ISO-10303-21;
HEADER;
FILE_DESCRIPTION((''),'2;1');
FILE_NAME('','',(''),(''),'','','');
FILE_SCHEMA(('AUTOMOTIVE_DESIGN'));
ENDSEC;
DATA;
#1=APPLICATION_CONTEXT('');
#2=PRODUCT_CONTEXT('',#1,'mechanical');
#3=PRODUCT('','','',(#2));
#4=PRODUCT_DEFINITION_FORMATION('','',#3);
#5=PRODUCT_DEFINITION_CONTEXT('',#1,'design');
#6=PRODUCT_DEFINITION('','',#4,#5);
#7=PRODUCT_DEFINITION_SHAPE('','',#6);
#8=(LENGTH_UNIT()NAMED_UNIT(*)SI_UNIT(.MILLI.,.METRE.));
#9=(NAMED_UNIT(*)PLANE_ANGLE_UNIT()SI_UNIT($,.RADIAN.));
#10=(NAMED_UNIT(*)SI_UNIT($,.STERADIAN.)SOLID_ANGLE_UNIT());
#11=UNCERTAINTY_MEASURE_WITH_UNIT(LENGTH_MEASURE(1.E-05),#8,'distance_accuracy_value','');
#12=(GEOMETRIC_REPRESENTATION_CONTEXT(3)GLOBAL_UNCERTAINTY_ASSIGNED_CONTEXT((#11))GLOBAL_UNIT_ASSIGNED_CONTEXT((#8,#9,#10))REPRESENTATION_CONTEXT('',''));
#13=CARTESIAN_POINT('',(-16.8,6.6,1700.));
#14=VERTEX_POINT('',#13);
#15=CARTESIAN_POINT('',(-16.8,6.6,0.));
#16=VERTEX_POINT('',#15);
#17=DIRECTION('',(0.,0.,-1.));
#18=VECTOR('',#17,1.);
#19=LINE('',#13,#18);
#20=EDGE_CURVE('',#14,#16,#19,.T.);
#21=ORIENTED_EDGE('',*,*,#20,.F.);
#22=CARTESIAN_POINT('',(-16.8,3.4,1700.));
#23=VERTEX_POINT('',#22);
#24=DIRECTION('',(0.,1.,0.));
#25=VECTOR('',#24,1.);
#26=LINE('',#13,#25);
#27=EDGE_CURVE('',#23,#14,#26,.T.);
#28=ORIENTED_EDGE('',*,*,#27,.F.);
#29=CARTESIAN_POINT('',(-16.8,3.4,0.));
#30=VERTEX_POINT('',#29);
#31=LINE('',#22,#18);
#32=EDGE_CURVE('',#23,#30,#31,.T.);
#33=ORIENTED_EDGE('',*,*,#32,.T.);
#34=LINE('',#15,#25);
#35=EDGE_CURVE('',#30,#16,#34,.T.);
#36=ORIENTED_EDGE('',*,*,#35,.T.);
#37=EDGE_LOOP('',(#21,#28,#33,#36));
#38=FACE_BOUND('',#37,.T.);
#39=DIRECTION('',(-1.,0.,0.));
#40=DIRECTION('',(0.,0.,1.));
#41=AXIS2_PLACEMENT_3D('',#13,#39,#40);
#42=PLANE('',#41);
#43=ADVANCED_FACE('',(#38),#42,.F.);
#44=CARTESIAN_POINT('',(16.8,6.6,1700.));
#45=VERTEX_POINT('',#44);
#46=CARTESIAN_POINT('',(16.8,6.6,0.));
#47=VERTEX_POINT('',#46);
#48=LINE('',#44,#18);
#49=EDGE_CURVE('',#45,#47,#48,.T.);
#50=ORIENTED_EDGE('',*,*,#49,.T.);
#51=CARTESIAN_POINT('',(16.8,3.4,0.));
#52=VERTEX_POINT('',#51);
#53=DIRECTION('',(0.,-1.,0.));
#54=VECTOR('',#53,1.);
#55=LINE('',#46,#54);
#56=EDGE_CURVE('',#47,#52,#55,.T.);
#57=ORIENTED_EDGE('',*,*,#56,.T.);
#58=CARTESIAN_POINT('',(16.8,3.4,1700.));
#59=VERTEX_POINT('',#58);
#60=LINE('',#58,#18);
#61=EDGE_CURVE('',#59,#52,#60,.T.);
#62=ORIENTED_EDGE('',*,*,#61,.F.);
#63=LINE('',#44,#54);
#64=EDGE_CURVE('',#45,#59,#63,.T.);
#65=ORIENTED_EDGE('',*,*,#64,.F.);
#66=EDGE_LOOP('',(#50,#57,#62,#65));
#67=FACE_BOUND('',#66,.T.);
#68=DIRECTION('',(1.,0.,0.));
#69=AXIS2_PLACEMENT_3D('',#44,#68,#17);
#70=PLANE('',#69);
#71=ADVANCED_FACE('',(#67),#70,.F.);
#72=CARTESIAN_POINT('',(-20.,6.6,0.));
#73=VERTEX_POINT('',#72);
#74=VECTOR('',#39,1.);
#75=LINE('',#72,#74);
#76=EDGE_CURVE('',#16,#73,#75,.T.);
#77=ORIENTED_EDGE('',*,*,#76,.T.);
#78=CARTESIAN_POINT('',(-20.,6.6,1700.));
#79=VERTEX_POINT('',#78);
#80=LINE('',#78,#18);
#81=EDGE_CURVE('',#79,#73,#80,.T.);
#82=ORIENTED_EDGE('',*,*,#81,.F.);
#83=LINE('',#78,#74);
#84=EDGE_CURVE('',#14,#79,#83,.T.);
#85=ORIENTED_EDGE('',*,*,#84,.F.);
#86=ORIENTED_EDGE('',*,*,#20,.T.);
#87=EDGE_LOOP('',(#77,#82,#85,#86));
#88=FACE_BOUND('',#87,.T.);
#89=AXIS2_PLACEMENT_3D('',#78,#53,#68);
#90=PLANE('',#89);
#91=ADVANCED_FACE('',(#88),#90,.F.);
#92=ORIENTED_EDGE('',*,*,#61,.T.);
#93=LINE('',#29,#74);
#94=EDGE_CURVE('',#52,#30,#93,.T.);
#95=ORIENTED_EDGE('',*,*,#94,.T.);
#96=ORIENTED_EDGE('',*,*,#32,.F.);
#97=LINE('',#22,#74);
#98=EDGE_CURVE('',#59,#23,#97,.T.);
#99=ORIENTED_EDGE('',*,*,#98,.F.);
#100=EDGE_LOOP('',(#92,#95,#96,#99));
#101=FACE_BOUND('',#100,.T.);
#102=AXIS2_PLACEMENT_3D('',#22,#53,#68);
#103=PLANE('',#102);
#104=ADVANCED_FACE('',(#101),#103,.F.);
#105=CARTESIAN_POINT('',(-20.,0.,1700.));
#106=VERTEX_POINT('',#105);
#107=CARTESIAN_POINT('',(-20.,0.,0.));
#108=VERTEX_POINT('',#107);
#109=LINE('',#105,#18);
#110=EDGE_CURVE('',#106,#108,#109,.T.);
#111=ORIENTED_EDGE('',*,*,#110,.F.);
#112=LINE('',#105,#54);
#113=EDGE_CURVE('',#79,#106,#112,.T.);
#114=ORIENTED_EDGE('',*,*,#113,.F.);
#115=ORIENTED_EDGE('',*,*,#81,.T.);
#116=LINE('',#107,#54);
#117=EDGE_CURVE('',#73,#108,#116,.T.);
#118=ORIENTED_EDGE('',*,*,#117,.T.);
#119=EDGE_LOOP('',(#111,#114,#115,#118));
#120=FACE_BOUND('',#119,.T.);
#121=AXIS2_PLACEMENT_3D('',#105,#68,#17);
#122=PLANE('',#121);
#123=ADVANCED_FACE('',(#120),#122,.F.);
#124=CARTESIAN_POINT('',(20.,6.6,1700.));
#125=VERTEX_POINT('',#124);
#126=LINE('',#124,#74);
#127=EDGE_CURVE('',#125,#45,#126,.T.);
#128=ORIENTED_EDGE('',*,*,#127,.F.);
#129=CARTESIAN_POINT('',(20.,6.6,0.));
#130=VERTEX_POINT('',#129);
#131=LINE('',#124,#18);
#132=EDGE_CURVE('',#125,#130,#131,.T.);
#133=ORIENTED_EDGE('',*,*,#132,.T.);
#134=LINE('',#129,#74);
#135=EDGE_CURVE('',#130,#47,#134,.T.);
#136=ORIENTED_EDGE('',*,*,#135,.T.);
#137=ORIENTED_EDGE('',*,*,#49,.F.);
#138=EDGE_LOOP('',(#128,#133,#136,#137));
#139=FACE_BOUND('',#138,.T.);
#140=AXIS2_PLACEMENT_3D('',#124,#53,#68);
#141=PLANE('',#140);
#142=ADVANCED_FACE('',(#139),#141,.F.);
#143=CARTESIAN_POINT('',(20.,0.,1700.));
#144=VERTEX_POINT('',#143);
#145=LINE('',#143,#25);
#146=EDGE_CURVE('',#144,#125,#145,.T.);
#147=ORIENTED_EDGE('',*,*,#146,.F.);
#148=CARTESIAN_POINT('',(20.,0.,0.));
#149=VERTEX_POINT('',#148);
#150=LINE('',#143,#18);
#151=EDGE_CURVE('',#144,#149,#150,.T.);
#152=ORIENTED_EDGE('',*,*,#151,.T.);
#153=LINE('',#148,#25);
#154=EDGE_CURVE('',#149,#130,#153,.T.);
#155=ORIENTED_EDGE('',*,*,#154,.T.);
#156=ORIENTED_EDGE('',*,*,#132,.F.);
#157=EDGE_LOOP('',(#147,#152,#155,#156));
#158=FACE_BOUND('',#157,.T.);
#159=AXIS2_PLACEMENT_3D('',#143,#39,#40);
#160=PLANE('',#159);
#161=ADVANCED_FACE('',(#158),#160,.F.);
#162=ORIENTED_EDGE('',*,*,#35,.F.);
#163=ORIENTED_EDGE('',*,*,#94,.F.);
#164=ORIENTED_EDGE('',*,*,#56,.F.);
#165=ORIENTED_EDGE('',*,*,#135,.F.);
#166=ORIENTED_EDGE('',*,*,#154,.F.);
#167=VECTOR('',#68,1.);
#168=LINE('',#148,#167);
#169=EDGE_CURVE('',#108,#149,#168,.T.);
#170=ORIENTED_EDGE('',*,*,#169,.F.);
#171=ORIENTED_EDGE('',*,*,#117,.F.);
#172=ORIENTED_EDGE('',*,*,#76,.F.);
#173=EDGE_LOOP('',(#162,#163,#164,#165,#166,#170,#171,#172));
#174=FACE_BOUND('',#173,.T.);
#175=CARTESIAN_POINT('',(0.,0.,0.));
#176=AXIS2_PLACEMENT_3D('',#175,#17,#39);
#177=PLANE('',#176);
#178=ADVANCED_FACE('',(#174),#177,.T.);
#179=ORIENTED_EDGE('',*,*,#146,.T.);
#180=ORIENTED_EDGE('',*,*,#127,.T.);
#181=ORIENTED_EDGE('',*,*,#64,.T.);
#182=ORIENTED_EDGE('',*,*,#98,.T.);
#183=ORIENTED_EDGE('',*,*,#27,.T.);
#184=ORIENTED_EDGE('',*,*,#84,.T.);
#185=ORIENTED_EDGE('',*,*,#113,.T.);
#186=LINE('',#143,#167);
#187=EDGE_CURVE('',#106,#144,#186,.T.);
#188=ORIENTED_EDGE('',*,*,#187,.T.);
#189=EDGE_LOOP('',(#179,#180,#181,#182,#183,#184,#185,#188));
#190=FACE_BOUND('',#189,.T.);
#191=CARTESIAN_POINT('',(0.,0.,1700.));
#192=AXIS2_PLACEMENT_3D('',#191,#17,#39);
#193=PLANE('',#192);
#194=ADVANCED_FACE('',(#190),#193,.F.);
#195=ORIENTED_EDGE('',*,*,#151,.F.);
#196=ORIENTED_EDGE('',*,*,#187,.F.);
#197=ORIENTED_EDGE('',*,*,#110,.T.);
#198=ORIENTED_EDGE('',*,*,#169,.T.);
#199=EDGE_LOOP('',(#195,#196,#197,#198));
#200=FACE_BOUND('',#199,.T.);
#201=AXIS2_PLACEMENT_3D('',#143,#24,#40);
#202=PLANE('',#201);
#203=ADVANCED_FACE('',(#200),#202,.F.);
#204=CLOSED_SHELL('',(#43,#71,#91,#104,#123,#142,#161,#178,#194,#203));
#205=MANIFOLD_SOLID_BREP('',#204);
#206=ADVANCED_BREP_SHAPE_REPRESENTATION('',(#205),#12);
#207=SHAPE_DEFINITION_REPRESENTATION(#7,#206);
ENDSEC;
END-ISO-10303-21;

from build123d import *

# Parameters (mm, degrees)
EXTRUDE_1_DEPTH = 1700


with BuildPart() as part:
    # 草图1 → 凸台-拉伸1 (new body)
    with BuildSketch(Plane.XY):
        Polygon((20, 0), (-20, 0), (-20, 6.6), (-16.8, 6.6), (-16.8, 3.4), (16.8, 3.4), (16.8, 6.6), (20, 6.6), align=None)
    extrude(amount=EXTRUDE_1_DEPTH)


solid = part.part
